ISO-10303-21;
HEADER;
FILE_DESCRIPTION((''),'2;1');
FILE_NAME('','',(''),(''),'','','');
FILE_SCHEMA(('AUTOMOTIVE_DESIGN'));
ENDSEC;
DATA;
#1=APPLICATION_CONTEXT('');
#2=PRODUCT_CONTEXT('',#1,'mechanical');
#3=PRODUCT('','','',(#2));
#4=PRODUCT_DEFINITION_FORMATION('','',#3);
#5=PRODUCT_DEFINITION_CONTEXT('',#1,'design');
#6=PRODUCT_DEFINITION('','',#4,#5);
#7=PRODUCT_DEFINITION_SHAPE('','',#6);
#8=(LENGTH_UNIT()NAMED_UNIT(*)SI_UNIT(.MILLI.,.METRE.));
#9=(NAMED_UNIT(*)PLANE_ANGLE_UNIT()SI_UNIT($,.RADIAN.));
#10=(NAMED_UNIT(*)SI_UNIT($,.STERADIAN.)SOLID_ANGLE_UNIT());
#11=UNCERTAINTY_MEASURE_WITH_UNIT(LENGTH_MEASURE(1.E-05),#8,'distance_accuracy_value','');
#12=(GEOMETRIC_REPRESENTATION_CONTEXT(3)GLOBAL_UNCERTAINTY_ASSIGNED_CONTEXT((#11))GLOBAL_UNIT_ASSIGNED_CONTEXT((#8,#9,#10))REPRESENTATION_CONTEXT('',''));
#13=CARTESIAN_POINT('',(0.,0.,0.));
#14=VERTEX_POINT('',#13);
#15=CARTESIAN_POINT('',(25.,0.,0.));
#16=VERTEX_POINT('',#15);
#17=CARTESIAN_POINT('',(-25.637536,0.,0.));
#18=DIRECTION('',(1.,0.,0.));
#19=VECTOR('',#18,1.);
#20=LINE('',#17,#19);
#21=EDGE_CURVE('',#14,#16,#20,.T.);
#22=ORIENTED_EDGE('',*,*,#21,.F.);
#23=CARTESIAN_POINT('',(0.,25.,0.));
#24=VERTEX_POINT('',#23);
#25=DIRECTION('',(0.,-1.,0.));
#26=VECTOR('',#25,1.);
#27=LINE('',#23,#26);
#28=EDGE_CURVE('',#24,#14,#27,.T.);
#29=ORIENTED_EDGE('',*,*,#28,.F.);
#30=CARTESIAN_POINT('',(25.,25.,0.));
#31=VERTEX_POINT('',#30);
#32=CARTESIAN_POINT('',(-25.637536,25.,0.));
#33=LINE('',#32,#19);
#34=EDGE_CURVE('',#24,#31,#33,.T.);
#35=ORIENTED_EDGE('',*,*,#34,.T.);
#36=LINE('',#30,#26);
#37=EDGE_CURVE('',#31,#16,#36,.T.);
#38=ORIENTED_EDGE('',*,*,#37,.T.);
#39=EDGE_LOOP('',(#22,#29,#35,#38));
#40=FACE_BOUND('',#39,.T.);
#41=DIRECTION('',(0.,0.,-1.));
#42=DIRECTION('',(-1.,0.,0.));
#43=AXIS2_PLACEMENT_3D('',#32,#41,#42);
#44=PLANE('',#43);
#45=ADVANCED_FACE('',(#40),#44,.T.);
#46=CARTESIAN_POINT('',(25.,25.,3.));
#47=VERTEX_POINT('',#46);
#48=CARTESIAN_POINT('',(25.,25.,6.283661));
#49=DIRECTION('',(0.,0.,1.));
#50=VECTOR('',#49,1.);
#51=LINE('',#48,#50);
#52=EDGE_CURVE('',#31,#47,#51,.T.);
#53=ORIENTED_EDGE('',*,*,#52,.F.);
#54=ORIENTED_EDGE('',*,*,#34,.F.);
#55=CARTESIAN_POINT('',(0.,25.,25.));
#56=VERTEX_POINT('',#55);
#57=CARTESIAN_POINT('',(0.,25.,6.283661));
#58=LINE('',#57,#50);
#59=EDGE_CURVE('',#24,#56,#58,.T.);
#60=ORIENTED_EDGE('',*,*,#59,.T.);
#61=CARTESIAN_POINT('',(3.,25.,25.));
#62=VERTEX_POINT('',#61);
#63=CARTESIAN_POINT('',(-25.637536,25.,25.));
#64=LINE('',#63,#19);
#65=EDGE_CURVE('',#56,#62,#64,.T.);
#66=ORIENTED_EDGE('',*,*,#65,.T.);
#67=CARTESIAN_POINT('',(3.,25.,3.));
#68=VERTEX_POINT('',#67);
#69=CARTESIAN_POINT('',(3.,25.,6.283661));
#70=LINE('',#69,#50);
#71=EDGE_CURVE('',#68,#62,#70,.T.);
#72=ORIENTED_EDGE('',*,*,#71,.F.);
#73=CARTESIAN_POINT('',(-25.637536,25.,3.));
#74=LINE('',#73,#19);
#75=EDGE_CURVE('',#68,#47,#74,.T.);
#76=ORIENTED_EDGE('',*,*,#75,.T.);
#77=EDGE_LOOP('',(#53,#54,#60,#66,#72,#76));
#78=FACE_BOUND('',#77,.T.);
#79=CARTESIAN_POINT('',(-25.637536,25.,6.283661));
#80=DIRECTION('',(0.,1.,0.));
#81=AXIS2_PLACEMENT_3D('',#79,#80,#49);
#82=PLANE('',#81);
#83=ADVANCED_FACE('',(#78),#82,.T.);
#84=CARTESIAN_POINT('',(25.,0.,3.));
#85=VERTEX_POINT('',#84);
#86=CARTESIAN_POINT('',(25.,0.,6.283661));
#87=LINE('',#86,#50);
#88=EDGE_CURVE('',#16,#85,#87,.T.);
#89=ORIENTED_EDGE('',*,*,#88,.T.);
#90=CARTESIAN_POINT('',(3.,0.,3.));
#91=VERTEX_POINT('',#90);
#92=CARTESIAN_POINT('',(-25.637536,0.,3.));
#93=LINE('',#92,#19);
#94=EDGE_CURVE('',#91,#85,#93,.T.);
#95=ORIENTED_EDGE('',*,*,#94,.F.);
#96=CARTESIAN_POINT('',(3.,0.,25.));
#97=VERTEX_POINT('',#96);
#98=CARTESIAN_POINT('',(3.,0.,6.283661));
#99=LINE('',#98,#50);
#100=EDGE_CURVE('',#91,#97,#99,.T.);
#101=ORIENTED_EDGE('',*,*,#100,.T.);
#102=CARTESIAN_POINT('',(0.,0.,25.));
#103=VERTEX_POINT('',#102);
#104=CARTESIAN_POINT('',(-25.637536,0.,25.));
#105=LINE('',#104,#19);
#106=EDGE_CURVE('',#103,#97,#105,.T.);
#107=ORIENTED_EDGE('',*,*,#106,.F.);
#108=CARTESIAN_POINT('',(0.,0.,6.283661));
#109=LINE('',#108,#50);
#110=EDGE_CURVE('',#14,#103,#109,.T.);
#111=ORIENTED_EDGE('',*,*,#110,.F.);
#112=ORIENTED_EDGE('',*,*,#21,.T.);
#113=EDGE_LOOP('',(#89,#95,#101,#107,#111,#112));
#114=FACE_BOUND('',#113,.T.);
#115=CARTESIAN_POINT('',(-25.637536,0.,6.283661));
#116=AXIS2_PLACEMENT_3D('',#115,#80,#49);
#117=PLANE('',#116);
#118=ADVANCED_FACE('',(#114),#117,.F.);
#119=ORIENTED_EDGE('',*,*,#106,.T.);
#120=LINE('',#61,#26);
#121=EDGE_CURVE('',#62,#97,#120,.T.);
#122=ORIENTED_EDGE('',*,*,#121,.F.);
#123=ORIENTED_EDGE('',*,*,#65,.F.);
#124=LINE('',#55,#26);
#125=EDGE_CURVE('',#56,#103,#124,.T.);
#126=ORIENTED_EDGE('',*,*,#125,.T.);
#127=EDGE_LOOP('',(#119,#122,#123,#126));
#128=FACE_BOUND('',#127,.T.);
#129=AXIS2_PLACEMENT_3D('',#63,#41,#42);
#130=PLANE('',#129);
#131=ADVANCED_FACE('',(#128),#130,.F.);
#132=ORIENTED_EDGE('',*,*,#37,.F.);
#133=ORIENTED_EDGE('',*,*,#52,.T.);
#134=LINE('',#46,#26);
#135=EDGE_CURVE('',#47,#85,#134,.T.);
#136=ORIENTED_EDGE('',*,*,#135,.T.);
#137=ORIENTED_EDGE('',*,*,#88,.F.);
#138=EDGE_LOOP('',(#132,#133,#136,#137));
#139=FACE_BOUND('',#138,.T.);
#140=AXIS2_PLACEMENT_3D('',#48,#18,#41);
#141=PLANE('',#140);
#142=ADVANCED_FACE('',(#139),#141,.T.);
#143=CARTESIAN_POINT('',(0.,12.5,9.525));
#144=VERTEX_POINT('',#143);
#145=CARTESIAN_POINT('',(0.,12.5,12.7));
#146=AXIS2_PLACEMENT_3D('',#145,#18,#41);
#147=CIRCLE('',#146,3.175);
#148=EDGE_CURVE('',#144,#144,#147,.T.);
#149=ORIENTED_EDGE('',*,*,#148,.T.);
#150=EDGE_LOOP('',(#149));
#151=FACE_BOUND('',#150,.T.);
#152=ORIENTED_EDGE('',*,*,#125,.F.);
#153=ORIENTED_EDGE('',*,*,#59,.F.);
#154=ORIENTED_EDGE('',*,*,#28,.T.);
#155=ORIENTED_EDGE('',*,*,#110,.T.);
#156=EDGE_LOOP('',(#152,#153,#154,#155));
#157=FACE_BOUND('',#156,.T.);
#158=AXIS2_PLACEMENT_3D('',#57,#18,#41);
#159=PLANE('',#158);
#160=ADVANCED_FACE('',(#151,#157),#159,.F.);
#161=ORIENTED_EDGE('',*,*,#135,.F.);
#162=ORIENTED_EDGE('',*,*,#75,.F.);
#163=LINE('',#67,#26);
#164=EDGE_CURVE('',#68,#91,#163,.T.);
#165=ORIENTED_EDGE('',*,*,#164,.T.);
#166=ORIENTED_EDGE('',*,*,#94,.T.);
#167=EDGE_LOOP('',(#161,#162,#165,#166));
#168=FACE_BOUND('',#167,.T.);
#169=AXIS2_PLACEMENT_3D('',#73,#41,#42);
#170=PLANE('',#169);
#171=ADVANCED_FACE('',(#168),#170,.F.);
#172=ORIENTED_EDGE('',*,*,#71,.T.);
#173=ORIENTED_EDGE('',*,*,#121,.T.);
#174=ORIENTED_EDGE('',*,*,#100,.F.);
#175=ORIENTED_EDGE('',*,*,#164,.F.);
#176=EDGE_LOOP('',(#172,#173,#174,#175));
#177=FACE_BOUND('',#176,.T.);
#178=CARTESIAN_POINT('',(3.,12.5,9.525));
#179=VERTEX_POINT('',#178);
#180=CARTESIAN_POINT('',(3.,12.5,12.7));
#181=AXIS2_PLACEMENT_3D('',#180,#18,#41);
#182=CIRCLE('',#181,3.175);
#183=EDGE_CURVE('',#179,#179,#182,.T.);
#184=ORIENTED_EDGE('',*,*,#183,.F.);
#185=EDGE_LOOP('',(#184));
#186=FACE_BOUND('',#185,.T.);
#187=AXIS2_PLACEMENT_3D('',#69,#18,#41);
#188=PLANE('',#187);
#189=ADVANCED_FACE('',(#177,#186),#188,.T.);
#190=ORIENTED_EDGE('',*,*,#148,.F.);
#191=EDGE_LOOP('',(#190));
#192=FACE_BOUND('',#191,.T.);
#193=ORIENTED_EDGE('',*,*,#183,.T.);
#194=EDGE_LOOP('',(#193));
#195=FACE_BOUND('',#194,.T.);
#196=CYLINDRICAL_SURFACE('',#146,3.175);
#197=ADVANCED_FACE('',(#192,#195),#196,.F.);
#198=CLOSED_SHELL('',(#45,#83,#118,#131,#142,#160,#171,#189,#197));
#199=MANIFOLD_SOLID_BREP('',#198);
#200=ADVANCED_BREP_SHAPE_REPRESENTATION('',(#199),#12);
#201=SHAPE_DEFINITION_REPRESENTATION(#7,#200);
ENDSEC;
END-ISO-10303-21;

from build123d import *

# Parameters (mm, degrees)
BOSS_EXTRUDE1_DEPTH = 25
SKETCH2_R           = 3.175
CUT_EXTRUDE1_DEPTH  = 4


with BuildPart() as part:
    # Sketch1 → Boss-Extrude1 (new body)
    with BuildSketch(Plane(origin=(0, 0, 0), x_dir=(1, 0, 0), z_dir=(0, 1, 0))):
        Polygon((3, 0), (0, 0), (0, -3), (0, -25), (3, -25), (3, -3), (25, -3), (25, 0), align=None)
    extrude(amount=BOSS_EXTRUDE1_DEPTH)

    # Sketch2 → Cut-Extrude1 (cut, through all)
    with BuildSketch(Plane(origin=(3, 0, 0), x_dir=(0, 0, -1), z_dir=(1, 0, 0))):
        with Locations((-12.7, 12.5)):
            Circle(SKETCH2_R)
    extrude(amount=-CUT_EXTRUDE1_DEPTH, mode=Mode.SUBTRACT)


solid = part.part
